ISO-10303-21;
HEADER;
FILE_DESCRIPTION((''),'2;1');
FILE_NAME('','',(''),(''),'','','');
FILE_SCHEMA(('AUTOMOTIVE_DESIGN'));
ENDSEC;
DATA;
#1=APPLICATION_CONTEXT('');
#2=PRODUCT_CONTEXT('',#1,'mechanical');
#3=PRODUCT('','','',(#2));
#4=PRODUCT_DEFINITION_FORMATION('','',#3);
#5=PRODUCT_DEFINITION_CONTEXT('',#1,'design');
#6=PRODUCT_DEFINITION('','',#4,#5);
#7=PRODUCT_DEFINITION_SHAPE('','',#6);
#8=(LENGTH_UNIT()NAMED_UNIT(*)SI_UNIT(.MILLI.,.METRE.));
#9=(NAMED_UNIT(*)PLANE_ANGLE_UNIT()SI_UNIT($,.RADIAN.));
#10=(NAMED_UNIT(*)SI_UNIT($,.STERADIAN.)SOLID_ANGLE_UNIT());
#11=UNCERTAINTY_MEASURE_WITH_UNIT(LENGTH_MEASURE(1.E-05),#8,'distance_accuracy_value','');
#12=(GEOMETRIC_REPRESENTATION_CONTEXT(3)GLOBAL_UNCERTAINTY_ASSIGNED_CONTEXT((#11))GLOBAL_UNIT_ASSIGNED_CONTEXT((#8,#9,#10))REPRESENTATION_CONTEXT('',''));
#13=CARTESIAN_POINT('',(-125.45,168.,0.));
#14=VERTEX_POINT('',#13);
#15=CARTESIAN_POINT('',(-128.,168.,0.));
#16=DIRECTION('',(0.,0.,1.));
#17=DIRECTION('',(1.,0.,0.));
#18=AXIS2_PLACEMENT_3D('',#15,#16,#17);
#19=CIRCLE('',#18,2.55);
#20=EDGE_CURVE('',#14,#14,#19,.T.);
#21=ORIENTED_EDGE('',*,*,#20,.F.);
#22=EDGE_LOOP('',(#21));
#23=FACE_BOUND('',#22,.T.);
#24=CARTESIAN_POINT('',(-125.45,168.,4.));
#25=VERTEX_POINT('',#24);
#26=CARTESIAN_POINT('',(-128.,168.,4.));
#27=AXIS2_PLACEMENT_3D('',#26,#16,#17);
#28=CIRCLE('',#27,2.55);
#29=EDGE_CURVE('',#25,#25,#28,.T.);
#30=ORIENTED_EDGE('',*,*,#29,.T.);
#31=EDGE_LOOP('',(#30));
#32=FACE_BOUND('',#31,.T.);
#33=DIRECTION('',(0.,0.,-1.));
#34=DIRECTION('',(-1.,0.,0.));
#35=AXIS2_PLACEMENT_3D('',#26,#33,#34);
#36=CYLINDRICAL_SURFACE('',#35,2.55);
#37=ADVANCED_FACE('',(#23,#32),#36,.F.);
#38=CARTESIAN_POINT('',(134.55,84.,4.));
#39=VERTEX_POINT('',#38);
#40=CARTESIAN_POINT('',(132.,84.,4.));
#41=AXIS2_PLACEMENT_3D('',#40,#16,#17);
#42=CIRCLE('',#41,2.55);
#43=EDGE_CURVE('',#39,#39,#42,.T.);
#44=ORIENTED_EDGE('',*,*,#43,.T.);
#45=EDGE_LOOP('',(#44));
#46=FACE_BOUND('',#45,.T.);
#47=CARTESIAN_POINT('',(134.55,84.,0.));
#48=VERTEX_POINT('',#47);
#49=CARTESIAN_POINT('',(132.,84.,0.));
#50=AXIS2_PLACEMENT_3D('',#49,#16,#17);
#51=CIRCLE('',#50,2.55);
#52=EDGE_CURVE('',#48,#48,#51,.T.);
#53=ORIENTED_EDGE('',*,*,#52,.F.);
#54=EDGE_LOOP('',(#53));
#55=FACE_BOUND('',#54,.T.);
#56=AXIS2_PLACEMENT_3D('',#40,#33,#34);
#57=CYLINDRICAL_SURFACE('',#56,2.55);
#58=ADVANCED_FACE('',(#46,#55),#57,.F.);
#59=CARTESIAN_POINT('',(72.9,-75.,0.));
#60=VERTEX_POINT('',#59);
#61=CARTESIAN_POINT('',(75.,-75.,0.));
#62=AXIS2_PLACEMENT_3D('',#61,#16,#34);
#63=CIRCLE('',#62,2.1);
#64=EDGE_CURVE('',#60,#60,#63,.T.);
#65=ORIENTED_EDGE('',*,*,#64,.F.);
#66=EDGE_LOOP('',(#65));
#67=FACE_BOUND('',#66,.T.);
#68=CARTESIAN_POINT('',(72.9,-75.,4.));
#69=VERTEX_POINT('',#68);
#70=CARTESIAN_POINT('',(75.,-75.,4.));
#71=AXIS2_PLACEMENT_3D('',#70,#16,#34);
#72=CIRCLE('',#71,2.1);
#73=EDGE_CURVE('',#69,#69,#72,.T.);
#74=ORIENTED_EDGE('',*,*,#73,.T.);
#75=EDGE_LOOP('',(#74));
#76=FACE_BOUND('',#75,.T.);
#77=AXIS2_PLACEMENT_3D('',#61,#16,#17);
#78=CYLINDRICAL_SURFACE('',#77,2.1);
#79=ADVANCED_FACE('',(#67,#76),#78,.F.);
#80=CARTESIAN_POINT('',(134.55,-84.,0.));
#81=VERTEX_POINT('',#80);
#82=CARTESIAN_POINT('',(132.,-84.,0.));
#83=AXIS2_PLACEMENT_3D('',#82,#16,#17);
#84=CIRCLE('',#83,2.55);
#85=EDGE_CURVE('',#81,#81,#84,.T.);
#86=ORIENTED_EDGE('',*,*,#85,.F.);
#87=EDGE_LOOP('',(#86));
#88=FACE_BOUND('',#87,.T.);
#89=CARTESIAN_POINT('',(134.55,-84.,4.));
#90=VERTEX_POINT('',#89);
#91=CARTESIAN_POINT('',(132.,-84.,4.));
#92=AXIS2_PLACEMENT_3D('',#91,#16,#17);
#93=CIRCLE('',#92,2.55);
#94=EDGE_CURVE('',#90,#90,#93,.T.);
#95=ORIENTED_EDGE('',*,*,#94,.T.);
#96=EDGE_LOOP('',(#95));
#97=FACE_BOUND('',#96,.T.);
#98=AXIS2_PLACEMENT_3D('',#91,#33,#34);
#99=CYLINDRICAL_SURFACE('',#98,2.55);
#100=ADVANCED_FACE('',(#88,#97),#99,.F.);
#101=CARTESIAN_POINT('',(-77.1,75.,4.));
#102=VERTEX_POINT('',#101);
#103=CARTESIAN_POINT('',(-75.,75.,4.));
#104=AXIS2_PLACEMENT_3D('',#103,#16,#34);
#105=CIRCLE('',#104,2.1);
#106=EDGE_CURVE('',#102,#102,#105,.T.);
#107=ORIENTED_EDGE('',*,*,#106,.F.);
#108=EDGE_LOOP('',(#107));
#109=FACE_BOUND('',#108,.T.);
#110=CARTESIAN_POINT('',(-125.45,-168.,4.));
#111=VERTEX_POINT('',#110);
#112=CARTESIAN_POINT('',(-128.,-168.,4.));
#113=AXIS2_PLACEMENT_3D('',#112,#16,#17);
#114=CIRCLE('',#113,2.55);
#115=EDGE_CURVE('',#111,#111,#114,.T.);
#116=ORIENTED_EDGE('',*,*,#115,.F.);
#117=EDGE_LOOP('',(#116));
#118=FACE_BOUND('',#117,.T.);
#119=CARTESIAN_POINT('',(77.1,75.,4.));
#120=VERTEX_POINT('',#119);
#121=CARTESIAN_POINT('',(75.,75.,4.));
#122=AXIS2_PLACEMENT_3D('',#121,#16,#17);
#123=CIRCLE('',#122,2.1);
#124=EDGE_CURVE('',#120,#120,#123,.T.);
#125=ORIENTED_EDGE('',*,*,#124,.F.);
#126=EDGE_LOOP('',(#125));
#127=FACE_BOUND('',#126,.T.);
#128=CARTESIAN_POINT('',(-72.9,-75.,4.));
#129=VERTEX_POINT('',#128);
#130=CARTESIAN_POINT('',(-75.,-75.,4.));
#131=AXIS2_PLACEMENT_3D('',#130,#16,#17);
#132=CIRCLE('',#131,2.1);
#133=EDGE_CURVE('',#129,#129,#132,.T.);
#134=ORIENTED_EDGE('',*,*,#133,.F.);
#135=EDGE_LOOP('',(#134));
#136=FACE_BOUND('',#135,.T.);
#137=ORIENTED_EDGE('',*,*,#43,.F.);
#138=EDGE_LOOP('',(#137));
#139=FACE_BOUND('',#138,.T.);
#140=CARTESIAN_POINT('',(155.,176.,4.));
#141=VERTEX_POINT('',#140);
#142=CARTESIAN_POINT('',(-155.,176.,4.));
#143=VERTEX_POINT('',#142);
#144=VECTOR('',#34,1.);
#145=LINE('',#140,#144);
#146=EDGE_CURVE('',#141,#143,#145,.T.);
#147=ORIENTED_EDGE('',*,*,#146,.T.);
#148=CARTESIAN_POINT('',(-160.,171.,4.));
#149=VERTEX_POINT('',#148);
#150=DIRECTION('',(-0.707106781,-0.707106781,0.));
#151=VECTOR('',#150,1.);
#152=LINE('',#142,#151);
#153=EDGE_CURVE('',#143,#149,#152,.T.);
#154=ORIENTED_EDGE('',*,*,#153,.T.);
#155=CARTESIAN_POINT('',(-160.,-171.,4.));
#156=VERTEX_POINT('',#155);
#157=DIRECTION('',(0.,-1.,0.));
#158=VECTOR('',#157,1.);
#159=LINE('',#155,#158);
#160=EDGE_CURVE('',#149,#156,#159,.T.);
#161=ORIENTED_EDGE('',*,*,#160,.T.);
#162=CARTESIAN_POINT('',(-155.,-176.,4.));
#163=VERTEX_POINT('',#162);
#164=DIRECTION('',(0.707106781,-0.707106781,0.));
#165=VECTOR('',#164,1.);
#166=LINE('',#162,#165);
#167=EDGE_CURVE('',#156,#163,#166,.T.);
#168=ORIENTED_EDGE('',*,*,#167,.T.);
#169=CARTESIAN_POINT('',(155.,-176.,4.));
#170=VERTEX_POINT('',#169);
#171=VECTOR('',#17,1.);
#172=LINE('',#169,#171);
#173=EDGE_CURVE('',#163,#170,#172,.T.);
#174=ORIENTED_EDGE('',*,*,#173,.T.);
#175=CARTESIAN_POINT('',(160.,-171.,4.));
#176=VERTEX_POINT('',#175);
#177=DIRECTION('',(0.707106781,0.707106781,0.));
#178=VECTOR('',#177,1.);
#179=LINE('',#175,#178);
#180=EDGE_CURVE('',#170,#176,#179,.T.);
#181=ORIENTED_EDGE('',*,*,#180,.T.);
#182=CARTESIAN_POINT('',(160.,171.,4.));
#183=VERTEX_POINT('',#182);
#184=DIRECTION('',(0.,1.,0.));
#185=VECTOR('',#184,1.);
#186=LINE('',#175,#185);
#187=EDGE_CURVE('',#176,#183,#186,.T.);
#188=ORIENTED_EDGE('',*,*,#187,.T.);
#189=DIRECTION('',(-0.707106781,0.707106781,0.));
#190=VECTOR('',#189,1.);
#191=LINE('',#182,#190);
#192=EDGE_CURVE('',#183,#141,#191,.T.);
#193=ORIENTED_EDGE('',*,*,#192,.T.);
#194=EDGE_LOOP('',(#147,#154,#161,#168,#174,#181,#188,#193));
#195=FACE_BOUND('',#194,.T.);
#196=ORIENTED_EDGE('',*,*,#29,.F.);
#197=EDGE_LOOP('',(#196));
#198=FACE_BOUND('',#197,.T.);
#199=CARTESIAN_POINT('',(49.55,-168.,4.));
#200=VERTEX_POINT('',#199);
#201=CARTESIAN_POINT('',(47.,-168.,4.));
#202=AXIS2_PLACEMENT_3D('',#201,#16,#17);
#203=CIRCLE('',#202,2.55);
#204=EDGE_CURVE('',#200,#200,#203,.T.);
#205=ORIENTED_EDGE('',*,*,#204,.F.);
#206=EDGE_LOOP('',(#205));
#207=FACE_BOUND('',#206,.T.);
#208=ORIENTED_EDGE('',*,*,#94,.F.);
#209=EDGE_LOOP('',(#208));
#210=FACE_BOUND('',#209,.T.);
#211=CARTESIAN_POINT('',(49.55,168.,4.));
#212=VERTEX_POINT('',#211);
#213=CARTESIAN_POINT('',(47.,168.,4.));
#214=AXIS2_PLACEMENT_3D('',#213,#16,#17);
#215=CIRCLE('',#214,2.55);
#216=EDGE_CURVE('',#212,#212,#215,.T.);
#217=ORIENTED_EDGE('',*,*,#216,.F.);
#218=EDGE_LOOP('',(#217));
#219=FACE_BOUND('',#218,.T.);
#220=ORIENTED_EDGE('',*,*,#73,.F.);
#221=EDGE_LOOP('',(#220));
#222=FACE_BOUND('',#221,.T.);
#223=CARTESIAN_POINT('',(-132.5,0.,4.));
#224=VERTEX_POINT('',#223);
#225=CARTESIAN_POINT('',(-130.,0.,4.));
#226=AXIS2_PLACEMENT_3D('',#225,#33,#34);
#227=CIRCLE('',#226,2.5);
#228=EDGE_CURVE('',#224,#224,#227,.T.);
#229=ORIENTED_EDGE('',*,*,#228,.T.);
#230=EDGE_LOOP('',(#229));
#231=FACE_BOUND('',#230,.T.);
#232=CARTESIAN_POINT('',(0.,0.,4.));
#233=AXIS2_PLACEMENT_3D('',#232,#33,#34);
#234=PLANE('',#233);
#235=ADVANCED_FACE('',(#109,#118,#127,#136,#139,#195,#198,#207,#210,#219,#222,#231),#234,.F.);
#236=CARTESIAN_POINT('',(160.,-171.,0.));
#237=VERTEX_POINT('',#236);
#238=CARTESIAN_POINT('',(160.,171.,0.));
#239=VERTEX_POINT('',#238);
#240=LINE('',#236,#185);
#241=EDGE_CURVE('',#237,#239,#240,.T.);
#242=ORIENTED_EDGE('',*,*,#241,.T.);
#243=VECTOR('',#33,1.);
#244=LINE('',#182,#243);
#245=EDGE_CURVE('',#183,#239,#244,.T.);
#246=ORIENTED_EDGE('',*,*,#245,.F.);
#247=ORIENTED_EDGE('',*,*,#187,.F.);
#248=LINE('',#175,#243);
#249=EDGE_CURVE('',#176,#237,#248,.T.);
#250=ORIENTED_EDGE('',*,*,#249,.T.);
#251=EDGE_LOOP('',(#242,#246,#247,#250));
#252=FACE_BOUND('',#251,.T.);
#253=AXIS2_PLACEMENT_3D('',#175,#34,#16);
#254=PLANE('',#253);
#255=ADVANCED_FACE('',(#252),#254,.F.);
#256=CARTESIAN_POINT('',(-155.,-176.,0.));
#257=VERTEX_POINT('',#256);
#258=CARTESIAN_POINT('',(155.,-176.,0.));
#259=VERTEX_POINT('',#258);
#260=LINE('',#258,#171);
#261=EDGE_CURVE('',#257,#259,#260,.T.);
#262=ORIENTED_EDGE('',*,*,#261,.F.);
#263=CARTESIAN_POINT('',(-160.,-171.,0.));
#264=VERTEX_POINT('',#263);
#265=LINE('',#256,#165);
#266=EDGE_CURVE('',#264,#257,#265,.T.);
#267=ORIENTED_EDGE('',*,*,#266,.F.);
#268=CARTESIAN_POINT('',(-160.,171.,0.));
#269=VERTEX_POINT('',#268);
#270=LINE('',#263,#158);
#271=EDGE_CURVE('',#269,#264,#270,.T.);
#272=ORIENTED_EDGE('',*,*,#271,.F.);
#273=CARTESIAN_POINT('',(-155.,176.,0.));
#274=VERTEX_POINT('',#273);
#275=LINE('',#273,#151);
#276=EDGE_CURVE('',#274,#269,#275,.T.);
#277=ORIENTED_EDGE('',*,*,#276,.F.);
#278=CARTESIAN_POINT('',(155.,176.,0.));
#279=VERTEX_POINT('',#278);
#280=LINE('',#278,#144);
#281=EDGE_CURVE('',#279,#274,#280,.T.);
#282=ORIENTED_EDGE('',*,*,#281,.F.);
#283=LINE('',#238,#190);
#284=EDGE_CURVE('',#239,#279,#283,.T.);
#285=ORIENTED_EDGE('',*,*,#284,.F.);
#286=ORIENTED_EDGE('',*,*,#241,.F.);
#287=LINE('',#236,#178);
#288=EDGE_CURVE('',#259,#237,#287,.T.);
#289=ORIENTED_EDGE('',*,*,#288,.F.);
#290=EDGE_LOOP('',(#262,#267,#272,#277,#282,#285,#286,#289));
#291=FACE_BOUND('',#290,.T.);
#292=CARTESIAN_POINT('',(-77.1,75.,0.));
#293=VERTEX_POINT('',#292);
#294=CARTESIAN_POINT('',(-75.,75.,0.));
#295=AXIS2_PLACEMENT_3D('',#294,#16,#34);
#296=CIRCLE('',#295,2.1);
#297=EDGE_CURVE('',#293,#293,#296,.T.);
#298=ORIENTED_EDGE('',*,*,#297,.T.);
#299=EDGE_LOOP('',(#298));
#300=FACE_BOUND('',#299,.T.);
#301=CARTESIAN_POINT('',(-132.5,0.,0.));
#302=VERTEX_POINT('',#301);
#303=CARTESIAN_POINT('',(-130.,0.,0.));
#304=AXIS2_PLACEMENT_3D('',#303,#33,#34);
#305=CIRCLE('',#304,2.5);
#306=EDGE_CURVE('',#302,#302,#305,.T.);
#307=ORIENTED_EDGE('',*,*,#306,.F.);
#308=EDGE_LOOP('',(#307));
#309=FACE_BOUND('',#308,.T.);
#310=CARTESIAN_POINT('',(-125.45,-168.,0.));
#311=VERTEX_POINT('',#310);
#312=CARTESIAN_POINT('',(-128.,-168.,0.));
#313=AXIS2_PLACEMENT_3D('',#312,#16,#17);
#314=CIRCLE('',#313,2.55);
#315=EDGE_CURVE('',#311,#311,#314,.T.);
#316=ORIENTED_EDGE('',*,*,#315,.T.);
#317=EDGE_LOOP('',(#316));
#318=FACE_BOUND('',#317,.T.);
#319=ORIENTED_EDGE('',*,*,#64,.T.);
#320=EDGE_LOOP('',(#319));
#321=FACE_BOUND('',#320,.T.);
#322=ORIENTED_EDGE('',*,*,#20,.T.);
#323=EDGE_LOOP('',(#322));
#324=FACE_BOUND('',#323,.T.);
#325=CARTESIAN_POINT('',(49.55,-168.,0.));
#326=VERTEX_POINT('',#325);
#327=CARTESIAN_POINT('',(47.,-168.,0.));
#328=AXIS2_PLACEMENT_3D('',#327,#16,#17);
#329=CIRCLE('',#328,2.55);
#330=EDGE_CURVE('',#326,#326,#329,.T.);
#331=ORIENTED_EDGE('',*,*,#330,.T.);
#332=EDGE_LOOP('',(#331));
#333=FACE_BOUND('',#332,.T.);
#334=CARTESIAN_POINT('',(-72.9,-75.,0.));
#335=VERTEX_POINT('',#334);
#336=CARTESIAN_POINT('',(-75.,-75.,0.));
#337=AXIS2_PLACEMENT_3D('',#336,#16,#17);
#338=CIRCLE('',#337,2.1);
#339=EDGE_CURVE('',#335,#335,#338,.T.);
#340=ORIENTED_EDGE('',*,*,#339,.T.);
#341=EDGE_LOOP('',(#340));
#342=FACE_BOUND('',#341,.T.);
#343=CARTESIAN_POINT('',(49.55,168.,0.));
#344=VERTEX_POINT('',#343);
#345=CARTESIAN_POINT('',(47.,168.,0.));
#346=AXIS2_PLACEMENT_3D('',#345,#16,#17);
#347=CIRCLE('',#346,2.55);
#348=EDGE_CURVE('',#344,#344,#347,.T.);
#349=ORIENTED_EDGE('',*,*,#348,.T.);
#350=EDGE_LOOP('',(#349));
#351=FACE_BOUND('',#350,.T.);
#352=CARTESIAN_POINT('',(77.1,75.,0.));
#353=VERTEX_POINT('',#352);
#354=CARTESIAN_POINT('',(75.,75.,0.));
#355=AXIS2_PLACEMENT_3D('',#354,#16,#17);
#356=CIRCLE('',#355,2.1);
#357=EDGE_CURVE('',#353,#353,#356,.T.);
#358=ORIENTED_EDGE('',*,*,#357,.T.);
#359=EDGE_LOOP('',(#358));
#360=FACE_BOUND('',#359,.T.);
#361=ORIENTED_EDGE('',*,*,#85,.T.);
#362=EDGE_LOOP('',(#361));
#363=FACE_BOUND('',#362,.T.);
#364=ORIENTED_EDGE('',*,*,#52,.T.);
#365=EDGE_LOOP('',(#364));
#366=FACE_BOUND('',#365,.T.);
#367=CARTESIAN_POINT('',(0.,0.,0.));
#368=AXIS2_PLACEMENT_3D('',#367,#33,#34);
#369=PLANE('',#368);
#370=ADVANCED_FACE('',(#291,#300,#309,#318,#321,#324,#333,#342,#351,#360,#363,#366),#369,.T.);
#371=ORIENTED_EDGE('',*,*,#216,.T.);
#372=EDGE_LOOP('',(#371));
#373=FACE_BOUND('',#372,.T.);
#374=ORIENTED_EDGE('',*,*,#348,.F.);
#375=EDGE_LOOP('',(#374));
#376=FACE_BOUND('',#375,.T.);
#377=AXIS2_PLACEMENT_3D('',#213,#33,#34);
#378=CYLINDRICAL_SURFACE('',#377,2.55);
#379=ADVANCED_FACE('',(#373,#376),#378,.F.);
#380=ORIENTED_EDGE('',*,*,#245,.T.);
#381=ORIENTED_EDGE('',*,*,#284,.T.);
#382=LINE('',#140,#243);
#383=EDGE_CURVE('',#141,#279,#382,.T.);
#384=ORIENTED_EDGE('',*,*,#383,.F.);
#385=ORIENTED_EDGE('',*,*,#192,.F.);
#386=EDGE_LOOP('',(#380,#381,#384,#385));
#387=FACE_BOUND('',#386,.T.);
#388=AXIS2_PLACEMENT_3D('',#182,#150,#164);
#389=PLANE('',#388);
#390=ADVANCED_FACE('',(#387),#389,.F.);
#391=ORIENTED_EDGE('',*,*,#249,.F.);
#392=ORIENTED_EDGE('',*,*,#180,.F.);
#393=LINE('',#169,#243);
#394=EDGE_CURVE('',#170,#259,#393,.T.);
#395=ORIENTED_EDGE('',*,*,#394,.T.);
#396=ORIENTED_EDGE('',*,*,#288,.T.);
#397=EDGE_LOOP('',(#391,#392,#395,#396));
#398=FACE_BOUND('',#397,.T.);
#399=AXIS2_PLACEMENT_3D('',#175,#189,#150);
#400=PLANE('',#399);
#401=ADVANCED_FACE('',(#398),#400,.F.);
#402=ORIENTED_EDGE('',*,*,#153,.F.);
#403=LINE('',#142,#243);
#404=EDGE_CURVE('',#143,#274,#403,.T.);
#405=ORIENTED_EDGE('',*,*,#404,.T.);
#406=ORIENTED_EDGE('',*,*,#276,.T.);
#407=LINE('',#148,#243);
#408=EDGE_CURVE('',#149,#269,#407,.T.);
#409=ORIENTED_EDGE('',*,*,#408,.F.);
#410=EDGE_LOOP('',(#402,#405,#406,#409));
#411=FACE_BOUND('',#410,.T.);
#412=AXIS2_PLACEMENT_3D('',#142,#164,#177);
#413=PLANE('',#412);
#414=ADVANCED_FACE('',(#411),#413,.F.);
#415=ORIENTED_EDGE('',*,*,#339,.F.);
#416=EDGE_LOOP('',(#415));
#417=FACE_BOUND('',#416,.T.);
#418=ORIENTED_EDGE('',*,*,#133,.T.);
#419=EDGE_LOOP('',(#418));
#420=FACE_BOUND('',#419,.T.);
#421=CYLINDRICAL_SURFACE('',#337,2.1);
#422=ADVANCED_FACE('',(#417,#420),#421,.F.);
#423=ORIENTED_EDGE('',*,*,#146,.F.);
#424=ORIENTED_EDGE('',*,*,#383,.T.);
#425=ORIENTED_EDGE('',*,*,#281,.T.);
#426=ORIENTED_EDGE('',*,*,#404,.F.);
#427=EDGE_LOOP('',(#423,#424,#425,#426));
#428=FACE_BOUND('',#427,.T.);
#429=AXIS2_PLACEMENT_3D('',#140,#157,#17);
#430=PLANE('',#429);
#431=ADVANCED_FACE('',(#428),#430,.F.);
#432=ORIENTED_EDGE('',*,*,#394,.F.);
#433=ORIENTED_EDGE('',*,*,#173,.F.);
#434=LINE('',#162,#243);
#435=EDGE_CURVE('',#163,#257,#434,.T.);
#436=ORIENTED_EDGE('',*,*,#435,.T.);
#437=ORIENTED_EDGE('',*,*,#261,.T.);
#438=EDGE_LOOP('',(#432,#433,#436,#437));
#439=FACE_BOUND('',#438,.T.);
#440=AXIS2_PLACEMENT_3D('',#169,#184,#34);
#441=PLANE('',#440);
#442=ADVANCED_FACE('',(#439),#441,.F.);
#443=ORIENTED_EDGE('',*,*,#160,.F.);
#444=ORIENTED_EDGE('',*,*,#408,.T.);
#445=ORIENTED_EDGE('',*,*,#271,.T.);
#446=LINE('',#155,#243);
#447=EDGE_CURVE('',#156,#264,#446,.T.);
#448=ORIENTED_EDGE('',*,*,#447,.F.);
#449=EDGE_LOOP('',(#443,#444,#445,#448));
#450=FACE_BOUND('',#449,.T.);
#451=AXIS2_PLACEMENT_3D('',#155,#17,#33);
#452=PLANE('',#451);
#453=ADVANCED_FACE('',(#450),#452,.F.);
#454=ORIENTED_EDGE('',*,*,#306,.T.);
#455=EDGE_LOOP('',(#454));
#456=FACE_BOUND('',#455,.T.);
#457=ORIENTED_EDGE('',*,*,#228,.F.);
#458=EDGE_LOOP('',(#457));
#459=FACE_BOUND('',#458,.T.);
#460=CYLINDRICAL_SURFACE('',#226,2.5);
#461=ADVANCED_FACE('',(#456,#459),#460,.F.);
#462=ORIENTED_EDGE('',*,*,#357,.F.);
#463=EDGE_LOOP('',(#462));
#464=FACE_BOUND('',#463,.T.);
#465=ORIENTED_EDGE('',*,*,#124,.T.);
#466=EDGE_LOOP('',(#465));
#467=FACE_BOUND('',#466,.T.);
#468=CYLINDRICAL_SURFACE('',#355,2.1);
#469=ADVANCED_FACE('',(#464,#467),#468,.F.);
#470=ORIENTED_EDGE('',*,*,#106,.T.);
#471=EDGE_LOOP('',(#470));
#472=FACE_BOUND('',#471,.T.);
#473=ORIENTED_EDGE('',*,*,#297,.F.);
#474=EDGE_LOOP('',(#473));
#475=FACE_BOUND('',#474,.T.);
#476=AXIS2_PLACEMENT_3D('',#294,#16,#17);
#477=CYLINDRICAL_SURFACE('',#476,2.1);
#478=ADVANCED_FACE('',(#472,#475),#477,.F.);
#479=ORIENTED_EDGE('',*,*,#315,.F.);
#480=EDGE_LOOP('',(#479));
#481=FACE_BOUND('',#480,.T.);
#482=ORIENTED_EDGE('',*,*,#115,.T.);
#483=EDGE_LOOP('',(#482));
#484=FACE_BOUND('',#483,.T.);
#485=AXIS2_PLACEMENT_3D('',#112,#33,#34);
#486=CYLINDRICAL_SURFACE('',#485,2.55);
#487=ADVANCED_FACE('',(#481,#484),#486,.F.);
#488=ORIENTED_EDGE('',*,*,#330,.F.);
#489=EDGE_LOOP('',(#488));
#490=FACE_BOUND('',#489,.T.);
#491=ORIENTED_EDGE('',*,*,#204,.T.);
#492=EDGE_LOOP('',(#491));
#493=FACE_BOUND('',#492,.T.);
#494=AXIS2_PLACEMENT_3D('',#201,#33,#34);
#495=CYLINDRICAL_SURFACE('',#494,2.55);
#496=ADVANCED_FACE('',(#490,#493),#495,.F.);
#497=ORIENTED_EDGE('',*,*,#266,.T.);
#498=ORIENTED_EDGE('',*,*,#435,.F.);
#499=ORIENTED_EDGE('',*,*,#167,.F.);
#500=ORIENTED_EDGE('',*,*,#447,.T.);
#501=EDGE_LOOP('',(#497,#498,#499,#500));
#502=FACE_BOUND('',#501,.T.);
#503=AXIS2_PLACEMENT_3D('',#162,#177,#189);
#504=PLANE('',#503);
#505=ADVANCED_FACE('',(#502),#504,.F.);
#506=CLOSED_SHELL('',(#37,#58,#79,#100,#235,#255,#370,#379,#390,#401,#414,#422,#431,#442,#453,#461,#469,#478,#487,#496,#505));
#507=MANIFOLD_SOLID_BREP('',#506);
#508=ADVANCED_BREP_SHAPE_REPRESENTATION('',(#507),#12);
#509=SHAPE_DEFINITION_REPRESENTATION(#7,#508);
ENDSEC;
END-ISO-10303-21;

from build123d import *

# Parameters (mm, degrees)
BASE_DEPTH         = 4
SKETCH3_R          = 2.5
FITTINGHOLE_DEPTH  = 238.890731219
SKETCH4_R          = 2.55
CUT_EXTRUDE2_DEPTH = 238.890731219
SKETCH5_R          = 2.1
CUT_EXTRUDE3_DEPTH = 238.890731219


with BuildPart() as part:
    # Sketch1 → Base (new body)
    with BuildSketch(Plane.XY):
        Polygon((-155, 176), (-160, 171), (-160, -171), (-155, -176), (155, -176), (160, -171), (160, 171), (155, 176), align=None)
    extrude(amount=BASE_DEPTH)

    # Sketch3 → FittingHole (cut, through all)
    with BuildSketch(Plane(origin=(0, 0, 0), x_dir=(-1, 0, 0), z_dir=(0, 0, -1))):
        with Locations((130, 0)):
            Circle(SKETCH3_R)
    extrude(amount=-FITTINGHOLE_DEPTH, mode=Mode.SUBTRACT)

    # Sketch4 → Cut-Extrude2 (cut, through all)
    with BuildSketch(Plane.XY):
        with Locations((-128, 168)):
            Circle(SKETCH4_R)
        with Locations((47, 168)):
            Circle(SKETCH4_R)
        with Locations((132, 84)):
            Circle(SKETCH4_R)
        with Locations((132, -84)):
            Circle(SKETCH4_R)
        with Locations((47, -168)):
            Circle(SKETCH4_R)
        with Locations((-128, -168)):
            Circle(SKETCH4_R)
    extrude(amount=CUT_EXTRUDE2_DEPTH, mode=Mode.SUBTRACT)

    # Sketch5 → Cut-Extrude3 (cut, through all)
    with BuildSketch(Plane.XY.offset(4)):
        with Locations((-75, -75)):
            Circle(SKETCH5_R)
        with Locations(Location((75, -75, 0), (0, 0, 180))):
            Circle(SKETCH5_R)
        with Locations((75, 75)):
            Circle(SKETCH5_R)
        with Locations(Location((-75, 75, 0), (0, 0, 180))):
            Circle(SKETCH5_R)
    extrude(amount=-CUT_EXTRUDE3_DEPTH, mode=Mode.SUBTRACT)


solid = part.part
